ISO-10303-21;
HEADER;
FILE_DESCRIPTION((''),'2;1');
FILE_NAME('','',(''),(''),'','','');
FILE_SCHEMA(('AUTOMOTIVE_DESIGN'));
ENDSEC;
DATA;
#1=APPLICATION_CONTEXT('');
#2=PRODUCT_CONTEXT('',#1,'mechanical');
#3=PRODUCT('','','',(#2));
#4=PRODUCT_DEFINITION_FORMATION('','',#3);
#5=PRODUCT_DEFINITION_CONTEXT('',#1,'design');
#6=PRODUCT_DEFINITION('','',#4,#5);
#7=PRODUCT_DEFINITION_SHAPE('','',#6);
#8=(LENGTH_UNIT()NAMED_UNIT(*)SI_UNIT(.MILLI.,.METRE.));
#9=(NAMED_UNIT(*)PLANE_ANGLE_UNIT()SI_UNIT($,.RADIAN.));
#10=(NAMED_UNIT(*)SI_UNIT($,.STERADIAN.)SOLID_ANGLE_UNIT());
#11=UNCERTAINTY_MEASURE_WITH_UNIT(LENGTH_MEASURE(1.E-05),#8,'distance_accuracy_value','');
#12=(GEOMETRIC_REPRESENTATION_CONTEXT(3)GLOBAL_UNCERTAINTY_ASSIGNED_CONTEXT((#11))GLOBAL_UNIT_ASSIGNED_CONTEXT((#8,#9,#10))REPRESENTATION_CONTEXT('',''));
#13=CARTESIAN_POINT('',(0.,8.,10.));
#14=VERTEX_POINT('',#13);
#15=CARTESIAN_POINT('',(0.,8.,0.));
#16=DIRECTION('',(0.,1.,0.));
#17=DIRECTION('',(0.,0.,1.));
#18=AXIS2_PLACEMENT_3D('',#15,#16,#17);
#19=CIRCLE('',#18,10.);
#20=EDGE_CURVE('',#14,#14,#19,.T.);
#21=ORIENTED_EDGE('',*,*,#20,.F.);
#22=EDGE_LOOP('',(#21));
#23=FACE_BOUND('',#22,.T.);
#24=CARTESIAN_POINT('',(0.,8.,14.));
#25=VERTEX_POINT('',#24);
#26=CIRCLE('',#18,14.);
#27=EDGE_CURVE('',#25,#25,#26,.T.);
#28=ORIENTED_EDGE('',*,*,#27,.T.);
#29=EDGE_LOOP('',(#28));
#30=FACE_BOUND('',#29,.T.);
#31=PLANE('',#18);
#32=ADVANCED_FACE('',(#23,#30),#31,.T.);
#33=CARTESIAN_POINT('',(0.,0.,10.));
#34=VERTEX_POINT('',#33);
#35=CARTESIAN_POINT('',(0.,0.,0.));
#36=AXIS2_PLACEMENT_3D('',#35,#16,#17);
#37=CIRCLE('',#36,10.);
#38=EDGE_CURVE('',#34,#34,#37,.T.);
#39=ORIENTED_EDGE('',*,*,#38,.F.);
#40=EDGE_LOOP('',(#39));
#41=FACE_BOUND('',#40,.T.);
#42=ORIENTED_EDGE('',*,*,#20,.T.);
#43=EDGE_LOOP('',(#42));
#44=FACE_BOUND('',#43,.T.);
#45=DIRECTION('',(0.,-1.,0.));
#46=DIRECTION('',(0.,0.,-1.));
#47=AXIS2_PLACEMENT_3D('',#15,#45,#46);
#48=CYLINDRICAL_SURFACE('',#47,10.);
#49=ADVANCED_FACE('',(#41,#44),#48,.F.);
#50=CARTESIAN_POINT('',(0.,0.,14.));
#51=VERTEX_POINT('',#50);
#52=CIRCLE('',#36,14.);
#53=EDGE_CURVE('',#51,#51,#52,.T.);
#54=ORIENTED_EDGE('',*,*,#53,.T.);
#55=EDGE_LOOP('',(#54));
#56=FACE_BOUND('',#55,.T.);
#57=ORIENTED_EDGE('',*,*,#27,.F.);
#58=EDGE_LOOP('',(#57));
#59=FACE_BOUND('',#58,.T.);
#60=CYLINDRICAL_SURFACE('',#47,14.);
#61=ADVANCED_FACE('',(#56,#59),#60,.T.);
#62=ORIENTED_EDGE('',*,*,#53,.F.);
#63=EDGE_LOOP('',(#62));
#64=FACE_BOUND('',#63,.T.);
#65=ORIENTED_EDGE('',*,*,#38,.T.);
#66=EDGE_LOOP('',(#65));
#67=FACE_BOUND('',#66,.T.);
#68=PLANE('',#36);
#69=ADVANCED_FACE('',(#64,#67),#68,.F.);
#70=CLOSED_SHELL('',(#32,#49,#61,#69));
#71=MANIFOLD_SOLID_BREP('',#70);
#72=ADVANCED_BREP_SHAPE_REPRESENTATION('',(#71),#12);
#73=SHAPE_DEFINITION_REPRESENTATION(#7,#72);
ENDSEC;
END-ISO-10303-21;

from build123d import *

# Parameters (mm, degrees)
SKETCH_1_R      = 14
SKETCH_1_R_2    = 10
EXTRUDE_1_DEPTH = 8


with BuildPart() as part:
    # 스케치1 → 보스-돌출1 (new body)
    with BuildSketch(Plane(origin=(0, 0, 0), x_dir=(1, 0, 0), z_dir=(0, 1, 0))):
        with Locations(Location((0, 0, 0), (0, 0, 270))):
            Circle(SKETCH_1_R)
        with Locations(Location((0, 0, 0), (0, 0, 270))):
            Circle(SKETCH_1_R_2, mode=Mode.SUBTRACT)
    extrude(amount=EXTRUDE_1_DEPTH)


solid = part.part
